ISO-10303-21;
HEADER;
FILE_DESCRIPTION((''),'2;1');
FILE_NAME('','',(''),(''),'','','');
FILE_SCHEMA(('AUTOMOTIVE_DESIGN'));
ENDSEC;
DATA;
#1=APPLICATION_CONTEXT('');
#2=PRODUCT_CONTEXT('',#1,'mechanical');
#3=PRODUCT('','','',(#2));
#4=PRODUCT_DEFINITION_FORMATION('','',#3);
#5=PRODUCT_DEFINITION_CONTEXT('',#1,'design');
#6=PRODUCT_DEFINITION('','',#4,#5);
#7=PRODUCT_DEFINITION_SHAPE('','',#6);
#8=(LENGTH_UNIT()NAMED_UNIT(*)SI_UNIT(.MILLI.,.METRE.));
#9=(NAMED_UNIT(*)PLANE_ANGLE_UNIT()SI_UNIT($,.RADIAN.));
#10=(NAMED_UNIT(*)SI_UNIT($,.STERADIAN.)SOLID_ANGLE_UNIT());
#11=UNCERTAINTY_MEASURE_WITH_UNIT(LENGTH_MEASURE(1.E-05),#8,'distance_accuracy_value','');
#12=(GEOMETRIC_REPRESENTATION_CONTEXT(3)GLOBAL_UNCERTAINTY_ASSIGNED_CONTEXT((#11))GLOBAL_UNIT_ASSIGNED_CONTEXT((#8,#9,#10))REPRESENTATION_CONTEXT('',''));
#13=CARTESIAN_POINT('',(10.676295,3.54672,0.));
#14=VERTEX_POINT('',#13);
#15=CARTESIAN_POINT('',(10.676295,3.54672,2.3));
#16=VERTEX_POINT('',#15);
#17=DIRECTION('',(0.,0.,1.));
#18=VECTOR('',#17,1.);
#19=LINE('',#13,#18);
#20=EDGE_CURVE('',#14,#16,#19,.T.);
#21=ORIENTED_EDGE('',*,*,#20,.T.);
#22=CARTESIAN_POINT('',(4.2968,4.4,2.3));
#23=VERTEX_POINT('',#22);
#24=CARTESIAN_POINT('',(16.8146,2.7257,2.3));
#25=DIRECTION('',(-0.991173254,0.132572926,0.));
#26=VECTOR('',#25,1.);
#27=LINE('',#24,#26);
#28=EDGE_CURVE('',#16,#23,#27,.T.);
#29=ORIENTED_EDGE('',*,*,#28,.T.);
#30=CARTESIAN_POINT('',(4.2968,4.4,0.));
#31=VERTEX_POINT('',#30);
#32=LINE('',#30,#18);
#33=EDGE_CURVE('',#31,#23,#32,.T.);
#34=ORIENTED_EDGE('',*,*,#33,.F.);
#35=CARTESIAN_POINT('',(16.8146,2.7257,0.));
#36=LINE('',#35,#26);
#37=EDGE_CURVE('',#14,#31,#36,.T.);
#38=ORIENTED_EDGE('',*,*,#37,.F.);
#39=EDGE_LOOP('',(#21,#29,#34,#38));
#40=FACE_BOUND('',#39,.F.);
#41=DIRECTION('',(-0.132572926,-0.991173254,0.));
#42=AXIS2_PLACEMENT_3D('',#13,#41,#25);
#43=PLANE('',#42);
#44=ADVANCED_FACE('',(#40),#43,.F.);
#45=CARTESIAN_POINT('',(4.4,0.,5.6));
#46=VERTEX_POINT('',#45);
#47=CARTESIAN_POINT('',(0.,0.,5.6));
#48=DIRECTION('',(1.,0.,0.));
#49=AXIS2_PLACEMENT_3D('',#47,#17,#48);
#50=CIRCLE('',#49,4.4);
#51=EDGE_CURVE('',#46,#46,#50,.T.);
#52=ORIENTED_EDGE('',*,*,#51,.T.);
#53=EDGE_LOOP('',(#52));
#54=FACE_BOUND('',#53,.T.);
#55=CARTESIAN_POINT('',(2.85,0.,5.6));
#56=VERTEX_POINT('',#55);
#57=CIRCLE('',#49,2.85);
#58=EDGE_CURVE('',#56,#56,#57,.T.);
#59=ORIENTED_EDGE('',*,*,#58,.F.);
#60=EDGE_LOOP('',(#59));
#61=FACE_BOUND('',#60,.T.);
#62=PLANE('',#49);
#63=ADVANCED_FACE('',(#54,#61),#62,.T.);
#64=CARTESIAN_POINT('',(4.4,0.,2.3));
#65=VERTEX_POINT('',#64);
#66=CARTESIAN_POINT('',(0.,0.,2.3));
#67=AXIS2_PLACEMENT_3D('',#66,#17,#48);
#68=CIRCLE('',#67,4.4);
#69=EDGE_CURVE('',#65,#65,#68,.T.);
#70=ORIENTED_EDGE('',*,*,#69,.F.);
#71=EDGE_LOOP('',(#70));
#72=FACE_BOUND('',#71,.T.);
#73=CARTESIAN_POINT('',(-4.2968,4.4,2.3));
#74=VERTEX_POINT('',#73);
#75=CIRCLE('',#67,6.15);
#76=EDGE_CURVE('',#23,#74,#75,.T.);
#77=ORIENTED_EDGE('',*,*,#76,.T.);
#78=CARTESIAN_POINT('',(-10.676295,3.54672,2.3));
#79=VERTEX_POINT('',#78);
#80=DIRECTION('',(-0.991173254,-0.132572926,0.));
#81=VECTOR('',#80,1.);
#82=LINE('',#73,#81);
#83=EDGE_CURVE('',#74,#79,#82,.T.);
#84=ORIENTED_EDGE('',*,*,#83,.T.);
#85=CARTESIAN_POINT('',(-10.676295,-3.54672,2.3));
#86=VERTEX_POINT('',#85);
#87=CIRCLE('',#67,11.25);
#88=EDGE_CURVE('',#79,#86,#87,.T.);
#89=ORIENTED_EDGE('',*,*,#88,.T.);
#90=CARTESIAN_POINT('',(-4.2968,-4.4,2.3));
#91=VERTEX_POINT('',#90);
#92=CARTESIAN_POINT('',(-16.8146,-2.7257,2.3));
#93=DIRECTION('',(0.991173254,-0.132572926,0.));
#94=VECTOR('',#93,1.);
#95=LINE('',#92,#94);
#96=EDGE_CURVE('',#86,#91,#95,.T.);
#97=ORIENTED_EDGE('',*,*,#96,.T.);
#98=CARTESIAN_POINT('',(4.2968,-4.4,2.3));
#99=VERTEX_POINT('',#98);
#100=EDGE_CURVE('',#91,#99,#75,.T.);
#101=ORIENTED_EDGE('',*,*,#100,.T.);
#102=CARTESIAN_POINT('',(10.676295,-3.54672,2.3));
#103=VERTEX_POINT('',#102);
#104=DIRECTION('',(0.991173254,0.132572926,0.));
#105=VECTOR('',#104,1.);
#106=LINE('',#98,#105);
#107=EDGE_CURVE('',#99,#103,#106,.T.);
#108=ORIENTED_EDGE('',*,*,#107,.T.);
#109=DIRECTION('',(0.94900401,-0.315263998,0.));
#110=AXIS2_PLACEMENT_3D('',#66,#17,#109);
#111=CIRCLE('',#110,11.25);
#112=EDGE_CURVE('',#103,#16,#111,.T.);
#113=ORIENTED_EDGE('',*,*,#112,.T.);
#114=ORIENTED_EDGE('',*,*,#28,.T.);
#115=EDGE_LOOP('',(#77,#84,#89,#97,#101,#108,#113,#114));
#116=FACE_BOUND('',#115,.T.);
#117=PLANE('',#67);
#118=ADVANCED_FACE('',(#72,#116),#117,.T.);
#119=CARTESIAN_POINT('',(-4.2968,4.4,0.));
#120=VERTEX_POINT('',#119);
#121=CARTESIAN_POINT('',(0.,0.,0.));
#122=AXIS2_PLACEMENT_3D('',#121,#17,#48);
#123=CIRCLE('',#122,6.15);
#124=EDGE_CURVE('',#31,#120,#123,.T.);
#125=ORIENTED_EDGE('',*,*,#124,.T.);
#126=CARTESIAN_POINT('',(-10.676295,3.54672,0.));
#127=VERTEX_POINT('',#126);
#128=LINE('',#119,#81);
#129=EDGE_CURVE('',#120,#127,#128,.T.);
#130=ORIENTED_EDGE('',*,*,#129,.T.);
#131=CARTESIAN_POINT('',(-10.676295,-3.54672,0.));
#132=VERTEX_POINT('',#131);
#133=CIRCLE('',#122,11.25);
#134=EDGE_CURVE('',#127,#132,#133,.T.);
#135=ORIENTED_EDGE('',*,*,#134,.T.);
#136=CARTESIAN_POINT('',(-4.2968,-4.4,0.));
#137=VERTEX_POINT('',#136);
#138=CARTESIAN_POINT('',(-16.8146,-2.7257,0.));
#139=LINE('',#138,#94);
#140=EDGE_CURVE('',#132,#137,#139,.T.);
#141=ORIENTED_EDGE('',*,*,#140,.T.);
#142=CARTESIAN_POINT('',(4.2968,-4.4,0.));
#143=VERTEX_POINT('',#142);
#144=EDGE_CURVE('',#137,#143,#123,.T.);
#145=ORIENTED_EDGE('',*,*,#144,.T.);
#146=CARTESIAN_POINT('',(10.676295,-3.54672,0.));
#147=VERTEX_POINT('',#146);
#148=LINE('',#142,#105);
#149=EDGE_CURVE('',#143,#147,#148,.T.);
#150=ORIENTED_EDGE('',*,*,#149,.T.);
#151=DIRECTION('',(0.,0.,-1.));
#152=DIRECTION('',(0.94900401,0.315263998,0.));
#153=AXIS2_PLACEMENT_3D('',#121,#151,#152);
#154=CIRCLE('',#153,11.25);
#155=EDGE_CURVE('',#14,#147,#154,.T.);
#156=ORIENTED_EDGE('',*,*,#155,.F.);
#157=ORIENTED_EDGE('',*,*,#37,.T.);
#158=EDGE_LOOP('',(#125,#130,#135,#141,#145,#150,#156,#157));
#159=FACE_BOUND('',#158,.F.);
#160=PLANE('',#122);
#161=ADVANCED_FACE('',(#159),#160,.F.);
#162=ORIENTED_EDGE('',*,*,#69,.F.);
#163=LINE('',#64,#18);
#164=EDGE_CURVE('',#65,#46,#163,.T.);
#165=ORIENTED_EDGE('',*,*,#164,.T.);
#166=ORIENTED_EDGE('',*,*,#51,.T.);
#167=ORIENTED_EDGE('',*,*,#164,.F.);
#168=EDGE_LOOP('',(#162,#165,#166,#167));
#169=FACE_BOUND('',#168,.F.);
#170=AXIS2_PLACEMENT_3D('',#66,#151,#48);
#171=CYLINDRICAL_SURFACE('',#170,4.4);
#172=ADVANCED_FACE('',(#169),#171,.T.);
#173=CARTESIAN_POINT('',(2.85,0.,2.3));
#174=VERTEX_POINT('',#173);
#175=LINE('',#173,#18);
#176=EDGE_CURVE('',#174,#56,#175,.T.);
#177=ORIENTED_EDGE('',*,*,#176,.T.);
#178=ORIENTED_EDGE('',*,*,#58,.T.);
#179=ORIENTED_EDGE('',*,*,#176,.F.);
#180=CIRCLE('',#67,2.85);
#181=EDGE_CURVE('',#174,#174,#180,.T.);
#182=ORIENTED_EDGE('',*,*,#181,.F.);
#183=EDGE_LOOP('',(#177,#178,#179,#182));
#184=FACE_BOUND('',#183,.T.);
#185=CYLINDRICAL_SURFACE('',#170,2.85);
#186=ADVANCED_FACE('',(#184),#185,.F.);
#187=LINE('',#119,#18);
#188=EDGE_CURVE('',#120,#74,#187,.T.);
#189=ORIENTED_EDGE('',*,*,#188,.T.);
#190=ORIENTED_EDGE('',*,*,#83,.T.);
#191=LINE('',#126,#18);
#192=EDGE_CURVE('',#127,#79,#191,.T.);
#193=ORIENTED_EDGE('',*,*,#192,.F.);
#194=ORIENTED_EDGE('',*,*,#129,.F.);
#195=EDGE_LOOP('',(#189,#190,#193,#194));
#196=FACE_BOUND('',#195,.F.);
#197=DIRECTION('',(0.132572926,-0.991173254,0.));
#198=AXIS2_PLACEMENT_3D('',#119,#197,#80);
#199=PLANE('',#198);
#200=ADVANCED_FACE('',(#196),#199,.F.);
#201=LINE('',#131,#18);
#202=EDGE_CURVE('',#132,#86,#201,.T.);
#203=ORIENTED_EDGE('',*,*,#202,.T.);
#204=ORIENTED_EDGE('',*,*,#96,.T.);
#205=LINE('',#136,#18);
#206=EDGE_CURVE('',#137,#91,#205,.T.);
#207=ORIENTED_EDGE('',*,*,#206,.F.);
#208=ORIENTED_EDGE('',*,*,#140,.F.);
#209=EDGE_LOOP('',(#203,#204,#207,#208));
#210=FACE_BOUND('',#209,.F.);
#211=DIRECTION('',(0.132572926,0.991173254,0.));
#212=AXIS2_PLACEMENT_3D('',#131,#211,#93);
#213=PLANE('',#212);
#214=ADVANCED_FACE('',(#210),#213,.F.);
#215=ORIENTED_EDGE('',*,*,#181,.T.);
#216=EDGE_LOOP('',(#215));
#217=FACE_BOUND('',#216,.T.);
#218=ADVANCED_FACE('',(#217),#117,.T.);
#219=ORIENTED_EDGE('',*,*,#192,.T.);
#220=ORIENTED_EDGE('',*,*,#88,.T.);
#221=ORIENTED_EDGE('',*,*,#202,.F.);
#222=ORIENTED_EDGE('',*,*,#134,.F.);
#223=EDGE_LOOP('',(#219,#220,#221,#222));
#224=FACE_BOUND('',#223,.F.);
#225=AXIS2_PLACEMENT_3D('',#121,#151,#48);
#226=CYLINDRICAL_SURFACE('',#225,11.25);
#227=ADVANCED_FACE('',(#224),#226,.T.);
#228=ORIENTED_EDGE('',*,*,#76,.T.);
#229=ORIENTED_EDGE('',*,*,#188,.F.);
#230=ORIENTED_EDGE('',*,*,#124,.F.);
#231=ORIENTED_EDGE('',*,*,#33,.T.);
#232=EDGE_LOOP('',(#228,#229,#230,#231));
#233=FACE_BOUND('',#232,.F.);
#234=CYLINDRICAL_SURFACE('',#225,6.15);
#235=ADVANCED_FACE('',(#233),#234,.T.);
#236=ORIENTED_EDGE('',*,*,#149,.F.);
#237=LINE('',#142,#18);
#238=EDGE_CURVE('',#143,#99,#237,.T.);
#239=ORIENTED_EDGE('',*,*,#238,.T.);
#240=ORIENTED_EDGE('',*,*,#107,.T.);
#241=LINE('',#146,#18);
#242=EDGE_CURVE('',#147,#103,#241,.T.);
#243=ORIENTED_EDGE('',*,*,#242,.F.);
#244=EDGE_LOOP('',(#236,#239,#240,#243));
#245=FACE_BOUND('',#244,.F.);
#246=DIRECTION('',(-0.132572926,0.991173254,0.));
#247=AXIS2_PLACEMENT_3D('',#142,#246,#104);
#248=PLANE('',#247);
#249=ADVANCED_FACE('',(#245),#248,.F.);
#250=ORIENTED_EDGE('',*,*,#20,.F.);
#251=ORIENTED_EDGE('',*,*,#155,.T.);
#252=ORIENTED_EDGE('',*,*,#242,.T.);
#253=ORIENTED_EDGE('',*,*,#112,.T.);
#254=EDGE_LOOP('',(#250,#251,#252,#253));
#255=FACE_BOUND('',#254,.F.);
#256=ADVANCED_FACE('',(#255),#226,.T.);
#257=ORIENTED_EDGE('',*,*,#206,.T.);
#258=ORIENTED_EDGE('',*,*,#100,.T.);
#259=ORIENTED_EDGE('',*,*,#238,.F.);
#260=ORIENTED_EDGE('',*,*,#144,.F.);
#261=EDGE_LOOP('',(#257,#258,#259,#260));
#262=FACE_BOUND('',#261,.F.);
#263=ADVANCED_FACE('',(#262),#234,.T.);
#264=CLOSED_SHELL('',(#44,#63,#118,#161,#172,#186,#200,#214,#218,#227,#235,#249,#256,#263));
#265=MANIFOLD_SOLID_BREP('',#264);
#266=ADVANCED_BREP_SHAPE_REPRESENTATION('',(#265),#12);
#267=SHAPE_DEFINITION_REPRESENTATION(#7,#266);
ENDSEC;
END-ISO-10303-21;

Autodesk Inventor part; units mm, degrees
ref_plane "YZ Plane" through (0, 0, 0) normal (1, 0, 0) x (0, 1, 0)
ref_plane "XZ Plane" through (0, 0, 0) normal (0, 1, 0) x (-1, 0, 0)
ref_plane "XY Plane" through (0, 0, 0) normal (0, 0, 1) x (1, 0, 0)
sketch "Sketch1" plane through (0, 0, 0) normal (0, 0, 1) x (1, 0, 0)
  circle A0 centre (0, 0) radius 6.15
  line L0 (-4.2968, 4.4) -> (-16.8146, 2.7257)
  arc A1 (-16.8146, 2.7257) -> (-16.8146, -2.7257) centre (-16.45, 0) ccw
  line L1 (-16.8146, -2.7257) -> (-4.2968, -4.4)
  line L2 (4.2968, -4.4) -> (16.8146, -2.7257)
  arc A2 (16.8146, -2.7257) -> (16.8146, 2.7257) centre (16.45, 0) ccw
  line L3 (16.8146, 2.7257) -> (4.2968, 4.4)
  line L4 (-4.2968, -4.4) -> (4.2968, -4.4) construction
  line L5 (-4.2968, 4.4) -> (4.2968, 4.4) construction
  line L6 (-19.2, 0) -> (19.2, 0) construction
  circle A3 centre (0, 0) radius 11.25
  point P0 (-10.6763, 3.5467)
  point P1 (-10.6763, -3.5467)
  point P2 (10.6763, 3.5467)
  point P3 (10.6763, -3.5467)
  dimension "d0" = 12.3
  dimension "d1" = 8.8
  dimension "d2" = 38.4
  dimension "d3" = 2.75
  dimension "d10" = 22.5
extrude "Extrusion1" add sketch "Sketch1" along normal blind 2.3 contours A0 | A0 L3 A3 L2 | A0 L1 A3 L0
sketch "Sketch2" plane through (0, 0, 2.3) normal (0, 0, 1) x (1, 0, 0)
  circle A0 centre (0, 0) radius 4.4
  circle A1 centre (0, 0) radius 2.85
  dimension "d6" = 8.8
  dimension "d7" = 5.7
extrude "Extrusion2" add sketch "Sketch2" along normal blind 3.3
properties part number "attachment_real" material "Nylon 6/6"
